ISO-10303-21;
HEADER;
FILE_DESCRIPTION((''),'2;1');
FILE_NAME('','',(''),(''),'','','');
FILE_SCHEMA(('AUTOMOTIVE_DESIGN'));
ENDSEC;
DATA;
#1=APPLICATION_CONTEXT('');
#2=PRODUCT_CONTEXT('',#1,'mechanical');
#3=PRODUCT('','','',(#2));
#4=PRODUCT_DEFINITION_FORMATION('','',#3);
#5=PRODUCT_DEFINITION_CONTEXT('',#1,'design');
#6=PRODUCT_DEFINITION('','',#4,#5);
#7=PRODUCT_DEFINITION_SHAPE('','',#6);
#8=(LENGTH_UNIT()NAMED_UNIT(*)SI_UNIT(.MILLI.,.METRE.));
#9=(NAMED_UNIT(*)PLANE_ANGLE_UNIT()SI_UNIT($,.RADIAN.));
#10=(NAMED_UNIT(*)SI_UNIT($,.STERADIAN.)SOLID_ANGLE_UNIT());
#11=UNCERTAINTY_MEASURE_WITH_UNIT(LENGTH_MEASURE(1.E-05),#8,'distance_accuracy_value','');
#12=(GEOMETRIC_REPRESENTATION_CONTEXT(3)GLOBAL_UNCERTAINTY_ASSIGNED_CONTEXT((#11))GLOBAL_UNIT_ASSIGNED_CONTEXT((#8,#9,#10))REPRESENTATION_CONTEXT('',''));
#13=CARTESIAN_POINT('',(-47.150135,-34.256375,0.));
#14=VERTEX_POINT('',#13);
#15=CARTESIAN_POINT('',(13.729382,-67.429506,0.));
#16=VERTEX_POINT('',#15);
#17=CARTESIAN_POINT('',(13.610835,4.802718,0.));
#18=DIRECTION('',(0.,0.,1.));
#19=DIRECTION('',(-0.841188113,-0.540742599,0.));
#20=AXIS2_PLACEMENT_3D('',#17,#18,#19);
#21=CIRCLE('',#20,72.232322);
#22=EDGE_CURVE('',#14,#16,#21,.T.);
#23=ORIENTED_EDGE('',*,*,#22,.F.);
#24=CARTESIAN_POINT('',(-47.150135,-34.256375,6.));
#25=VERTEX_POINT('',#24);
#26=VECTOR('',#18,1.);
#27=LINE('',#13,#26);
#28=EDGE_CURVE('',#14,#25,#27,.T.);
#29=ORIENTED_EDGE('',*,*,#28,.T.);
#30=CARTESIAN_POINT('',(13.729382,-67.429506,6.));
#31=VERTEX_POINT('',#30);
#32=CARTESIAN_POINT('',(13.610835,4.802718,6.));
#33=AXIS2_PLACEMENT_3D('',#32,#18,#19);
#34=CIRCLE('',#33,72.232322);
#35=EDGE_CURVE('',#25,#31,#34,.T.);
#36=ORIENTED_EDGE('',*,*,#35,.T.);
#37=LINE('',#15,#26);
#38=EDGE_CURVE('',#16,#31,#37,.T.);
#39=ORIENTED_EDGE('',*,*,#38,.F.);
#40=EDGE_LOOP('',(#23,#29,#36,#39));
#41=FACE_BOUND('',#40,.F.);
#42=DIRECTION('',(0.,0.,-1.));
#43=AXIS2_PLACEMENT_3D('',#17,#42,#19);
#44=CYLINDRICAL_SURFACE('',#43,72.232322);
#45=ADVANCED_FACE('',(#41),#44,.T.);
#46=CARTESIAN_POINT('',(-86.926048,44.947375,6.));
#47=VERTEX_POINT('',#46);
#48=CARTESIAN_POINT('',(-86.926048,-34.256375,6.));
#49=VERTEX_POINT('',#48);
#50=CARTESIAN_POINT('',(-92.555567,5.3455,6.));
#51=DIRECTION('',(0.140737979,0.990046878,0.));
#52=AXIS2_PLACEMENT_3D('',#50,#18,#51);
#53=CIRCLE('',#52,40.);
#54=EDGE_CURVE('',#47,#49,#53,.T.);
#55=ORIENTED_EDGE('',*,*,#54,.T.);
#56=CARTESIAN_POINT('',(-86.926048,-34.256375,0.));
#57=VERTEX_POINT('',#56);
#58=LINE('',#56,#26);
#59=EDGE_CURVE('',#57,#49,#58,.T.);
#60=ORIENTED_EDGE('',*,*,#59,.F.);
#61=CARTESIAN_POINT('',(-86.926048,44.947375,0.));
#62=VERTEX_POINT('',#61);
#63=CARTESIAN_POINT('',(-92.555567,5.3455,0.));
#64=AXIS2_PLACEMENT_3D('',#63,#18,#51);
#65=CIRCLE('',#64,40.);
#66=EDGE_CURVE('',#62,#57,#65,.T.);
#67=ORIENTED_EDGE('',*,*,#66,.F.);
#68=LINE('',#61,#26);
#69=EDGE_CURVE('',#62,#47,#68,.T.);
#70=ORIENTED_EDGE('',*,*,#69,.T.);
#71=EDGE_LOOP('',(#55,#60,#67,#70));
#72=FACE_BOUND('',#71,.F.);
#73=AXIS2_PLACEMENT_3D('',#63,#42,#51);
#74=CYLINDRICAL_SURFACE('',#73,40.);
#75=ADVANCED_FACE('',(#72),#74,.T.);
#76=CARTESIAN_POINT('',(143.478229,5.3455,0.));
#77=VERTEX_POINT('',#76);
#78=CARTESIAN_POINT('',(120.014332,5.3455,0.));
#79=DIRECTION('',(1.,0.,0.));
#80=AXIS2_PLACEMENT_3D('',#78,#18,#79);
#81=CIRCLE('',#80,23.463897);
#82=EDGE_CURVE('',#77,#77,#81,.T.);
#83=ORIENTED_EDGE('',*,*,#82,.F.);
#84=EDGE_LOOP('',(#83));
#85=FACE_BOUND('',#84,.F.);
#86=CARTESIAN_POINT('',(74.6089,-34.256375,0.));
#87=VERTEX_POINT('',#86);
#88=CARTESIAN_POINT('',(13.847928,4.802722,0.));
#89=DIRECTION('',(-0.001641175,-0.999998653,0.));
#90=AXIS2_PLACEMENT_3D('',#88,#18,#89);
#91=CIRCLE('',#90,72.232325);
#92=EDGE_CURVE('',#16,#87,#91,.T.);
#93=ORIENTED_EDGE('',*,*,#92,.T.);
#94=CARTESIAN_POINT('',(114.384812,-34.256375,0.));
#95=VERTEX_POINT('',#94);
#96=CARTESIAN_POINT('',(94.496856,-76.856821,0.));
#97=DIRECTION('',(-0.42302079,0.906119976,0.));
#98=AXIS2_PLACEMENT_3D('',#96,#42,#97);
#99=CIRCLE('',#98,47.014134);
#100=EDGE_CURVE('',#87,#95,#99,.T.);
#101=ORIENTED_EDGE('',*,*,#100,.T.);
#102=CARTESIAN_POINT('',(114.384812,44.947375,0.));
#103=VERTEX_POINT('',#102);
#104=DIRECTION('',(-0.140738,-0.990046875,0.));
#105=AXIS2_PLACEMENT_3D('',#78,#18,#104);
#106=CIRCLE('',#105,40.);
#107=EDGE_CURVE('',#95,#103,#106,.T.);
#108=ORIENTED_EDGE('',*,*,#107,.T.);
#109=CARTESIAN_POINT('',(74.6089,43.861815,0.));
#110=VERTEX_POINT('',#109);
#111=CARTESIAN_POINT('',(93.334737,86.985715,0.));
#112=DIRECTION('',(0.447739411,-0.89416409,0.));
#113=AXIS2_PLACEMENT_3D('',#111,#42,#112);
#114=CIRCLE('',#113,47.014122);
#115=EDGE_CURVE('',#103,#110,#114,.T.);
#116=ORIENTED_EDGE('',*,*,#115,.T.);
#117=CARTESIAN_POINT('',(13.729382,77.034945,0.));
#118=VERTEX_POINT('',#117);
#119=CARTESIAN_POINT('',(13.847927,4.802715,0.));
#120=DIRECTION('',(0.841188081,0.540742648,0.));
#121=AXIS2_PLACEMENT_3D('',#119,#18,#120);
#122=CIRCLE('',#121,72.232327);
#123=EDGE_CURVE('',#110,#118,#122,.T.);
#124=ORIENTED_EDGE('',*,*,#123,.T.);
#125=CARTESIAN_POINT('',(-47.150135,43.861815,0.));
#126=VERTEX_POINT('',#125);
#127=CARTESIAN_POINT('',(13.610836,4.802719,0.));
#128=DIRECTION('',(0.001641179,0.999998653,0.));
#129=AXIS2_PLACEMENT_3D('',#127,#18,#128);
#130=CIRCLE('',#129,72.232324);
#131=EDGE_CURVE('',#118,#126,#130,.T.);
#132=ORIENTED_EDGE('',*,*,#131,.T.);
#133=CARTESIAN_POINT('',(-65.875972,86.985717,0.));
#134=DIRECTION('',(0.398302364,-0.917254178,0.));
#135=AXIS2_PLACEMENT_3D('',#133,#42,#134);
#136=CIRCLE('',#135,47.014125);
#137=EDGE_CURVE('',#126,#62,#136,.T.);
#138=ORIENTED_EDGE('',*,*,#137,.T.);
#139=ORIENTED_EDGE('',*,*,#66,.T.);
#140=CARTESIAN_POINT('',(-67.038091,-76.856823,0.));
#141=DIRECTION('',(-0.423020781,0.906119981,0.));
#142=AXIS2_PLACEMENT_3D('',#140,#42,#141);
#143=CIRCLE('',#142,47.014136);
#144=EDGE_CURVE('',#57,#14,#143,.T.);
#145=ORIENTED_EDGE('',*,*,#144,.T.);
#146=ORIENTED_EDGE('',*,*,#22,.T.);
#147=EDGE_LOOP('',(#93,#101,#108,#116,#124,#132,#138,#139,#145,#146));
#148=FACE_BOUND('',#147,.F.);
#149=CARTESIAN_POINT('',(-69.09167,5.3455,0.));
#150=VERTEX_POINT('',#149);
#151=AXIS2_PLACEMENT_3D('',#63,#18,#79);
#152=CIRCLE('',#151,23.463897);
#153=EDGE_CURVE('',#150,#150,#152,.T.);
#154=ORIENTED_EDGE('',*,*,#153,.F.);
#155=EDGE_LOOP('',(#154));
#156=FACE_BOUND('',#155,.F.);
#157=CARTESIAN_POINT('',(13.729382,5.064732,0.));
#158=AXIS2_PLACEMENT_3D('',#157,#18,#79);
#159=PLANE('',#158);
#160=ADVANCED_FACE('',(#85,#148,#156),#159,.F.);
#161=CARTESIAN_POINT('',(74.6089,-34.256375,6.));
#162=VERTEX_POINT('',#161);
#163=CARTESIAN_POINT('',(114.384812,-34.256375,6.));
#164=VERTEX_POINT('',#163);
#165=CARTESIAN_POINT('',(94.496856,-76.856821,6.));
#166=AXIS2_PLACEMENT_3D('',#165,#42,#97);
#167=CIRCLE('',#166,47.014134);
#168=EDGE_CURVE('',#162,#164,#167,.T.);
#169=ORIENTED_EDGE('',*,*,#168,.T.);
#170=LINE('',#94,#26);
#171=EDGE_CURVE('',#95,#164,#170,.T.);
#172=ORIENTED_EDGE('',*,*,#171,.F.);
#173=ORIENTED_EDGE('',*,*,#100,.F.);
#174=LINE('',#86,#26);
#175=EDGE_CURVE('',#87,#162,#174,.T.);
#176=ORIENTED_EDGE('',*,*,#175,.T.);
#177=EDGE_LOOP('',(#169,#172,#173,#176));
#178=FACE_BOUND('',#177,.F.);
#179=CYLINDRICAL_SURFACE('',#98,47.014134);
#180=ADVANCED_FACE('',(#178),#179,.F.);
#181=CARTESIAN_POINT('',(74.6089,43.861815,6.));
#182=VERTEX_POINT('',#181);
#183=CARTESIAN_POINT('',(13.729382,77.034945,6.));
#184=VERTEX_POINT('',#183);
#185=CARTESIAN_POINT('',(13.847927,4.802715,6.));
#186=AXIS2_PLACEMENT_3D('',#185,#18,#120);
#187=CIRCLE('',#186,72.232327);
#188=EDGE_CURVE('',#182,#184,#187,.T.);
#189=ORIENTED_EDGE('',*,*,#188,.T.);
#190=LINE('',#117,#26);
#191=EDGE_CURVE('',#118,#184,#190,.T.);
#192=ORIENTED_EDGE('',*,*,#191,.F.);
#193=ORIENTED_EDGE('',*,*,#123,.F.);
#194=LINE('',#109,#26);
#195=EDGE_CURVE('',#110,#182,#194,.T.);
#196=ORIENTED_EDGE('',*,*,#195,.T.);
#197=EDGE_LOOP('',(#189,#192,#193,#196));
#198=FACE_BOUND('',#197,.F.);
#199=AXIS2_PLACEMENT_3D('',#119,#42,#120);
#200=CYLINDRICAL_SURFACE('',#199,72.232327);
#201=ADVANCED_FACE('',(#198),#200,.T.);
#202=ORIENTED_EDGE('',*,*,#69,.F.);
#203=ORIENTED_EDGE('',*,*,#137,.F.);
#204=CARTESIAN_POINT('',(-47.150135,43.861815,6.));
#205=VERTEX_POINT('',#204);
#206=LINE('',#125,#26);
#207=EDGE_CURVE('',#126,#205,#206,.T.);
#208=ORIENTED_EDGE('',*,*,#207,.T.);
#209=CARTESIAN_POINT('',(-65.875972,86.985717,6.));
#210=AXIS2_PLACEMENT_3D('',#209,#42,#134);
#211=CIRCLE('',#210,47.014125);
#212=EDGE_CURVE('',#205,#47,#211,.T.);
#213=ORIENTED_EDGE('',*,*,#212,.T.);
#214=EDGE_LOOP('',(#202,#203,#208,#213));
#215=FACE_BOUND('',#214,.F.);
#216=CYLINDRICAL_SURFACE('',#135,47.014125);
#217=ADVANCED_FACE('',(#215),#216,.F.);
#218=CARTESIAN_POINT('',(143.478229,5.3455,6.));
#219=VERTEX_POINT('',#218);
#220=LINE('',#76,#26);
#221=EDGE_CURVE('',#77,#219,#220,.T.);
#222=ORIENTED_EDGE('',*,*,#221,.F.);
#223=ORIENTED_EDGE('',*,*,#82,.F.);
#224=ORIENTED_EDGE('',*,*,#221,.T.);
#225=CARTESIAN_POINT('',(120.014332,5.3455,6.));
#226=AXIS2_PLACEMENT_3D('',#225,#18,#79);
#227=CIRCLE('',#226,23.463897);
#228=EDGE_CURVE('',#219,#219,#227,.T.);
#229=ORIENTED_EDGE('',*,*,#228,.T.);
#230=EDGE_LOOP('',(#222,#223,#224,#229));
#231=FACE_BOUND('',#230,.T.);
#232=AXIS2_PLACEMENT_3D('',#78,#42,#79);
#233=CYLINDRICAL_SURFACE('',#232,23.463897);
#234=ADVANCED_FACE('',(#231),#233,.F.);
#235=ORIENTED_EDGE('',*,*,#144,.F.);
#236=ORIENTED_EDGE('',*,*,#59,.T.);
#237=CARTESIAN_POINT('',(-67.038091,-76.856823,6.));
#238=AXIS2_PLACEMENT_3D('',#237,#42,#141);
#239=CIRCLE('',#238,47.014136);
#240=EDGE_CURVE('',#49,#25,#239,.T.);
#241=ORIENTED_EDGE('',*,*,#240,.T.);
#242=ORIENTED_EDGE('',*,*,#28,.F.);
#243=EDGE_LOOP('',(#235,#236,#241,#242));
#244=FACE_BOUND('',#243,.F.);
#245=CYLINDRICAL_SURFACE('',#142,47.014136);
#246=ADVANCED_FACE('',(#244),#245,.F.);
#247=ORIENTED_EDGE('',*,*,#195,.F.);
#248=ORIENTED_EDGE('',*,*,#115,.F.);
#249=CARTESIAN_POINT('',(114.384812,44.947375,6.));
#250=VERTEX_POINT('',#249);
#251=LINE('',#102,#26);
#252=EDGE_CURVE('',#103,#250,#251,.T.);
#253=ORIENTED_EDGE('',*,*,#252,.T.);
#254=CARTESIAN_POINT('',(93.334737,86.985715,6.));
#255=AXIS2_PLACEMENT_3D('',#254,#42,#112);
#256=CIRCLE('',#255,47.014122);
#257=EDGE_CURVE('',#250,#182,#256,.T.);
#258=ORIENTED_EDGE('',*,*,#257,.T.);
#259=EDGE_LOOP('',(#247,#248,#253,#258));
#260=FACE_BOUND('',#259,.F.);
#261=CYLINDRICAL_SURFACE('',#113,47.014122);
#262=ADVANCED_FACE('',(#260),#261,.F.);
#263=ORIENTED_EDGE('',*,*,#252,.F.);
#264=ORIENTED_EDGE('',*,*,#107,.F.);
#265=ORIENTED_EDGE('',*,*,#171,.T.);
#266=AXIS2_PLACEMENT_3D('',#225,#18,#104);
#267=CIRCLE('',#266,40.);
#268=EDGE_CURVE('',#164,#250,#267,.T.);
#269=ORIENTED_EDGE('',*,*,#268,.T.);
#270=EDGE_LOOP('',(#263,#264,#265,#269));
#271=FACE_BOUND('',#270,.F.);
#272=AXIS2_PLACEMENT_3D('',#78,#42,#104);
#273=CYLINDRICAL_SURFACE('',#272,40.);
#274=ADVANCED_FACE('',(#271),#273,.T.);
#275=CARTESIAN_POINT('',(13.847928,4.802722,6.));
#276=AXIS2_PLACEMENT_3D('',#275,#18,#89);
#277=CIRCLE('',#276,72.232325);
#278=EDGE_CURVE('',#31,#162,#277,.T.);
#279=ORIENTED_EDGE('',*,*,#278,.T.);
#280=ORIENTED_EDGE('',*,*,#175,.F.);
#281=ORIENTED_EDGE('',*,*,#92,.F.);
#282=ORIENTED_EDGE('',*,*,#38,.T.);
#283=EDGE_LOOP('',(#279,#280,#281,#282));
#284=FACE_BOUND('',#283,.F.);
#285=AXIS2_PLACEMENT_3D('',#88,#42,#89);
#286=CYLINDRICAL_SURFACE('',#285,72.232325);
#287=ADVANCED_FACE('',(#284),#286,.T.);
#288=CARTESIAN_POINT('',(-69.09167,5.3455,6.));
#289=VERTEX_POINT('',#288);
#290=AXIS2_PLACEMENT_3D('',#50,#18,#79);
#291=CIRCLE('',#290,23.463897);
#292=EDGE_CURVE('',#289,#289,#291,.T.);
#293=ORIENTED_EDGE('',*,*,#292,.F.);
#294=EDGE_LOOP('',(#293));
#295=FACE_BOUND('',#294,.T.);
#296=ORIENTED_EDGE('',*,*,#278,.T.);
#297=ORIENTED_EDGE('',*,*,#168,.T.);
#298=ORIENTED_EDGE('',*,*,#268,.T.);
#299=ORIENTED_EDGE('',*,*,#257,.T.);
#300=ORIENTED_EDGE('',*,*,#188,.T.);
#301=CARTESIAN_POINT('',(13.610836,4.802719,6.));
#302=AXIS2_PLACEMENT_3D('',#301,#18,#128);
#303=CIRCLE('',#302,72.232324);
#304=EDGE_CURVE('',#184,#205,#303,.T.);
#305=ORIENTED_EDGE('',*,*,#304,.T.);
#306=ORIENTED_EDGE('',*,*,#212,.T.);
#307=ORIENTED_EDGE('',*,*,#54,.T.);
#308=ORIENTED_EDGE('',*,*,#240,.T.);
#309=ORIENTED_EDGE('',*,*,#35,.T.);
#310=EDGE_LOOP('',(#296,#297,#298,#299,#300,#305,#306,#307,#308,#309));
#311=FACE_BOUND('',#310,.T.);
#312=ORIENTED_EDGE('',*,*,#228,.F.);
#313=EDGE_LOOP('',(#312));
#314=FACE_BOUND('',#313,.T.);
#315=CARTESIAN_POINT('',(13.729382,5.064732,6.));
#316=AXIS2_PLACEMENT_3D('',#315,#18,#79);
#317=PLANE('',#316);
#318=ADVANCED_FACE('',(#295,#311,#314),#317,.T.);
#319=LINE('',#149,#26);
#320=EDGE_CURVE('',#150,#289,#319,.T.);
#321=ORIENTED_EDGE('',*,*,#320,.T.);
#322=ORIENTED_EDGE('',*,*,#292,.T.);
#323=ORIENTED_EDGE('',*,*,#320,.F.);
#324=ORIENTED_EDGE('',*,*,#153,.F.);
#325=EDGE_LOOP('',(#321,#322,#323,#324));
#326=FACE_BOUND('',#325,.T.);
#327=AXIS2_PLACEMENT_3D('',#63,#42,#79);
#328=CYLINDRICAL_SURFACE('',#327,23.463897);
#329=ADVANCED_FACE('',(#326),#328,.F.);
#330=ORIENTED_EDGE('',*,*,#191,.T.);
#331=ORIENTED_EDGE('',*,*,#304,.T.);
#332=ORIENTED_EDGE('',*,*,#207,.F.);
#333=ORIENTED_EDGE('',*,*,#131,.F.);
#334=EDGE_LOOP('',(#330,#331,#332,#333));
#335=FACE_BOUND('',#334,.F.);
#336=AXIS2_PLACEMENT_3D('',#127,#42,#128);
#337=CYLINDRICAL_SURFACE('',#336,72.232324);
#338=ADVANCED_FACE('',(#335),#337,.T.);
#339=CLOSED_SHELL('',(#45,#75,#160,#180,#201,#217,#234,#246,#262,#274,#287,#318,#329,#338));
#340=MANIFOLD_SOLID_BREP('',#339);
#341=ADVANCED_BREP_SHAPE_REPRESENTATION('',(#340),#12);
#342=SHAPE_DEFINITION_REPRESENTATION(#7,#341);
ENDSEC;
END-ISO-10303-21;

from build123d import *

# Parameters (mm, degrees)
F0_R     = 23.463897
F1_DEPTH = 6


with BuildPart() as f1:
    # F0 (on Top) → F1 (new body)
    with BuildSketch(Plane.XY):
        with BuildLine():
            ThreePointArc((-86.926048, -34.256375), (-67.038092, -29.842687), (-47.150135, -34.256375))
            ThreePointArc((-47.150135, -34.256375), (-20.95056, -58.624549), (13.729382, -67.429506))
            ThreePointArc((13.729382, -67.429506), (48.409324, -58.624549), (74.6089, -34.256375))
            ThreePointArc((74.6089, -34.256375), (94.496856, -29.842687), (114.384812, -34.256375))
            ThreePointArc((114.384812, -34.256375), (160.014332, 5.3455), (114.384812, 44.947375))
            ThreePointArc((114.384812, 44.947375), (94.617364, 39.989092), (74.6089, 43.861815))
            ThreePointArc((74.6089, 43.861815), (48.409324, 68.229988), (13.729382, 77.034945))
            ThreePointArc((13.729382, 77.034945), (-20.95056, 68.229988), (-47.150135, 43.861815))
            ThreePointArc((-47.150135, 43.861815), (-67.158599, 39.989092), (-86.926048, 44.947375))
            ThreePointArc((-86.926048, 44.947375), (-132.555567, 5.3455), (-86.926048, -34.256375))
        make_face()
        with Locations((-92.555567, 5.3455)):
            Circle(F0_R, mode=Mode.SUBTRACT)
        with Locations((120.014332, 5.3455)):
            Circle(F0_R, mode=Mode.SUBTRACT)
    extrude(amount=F1_DEPTH)


solid = f1.part
